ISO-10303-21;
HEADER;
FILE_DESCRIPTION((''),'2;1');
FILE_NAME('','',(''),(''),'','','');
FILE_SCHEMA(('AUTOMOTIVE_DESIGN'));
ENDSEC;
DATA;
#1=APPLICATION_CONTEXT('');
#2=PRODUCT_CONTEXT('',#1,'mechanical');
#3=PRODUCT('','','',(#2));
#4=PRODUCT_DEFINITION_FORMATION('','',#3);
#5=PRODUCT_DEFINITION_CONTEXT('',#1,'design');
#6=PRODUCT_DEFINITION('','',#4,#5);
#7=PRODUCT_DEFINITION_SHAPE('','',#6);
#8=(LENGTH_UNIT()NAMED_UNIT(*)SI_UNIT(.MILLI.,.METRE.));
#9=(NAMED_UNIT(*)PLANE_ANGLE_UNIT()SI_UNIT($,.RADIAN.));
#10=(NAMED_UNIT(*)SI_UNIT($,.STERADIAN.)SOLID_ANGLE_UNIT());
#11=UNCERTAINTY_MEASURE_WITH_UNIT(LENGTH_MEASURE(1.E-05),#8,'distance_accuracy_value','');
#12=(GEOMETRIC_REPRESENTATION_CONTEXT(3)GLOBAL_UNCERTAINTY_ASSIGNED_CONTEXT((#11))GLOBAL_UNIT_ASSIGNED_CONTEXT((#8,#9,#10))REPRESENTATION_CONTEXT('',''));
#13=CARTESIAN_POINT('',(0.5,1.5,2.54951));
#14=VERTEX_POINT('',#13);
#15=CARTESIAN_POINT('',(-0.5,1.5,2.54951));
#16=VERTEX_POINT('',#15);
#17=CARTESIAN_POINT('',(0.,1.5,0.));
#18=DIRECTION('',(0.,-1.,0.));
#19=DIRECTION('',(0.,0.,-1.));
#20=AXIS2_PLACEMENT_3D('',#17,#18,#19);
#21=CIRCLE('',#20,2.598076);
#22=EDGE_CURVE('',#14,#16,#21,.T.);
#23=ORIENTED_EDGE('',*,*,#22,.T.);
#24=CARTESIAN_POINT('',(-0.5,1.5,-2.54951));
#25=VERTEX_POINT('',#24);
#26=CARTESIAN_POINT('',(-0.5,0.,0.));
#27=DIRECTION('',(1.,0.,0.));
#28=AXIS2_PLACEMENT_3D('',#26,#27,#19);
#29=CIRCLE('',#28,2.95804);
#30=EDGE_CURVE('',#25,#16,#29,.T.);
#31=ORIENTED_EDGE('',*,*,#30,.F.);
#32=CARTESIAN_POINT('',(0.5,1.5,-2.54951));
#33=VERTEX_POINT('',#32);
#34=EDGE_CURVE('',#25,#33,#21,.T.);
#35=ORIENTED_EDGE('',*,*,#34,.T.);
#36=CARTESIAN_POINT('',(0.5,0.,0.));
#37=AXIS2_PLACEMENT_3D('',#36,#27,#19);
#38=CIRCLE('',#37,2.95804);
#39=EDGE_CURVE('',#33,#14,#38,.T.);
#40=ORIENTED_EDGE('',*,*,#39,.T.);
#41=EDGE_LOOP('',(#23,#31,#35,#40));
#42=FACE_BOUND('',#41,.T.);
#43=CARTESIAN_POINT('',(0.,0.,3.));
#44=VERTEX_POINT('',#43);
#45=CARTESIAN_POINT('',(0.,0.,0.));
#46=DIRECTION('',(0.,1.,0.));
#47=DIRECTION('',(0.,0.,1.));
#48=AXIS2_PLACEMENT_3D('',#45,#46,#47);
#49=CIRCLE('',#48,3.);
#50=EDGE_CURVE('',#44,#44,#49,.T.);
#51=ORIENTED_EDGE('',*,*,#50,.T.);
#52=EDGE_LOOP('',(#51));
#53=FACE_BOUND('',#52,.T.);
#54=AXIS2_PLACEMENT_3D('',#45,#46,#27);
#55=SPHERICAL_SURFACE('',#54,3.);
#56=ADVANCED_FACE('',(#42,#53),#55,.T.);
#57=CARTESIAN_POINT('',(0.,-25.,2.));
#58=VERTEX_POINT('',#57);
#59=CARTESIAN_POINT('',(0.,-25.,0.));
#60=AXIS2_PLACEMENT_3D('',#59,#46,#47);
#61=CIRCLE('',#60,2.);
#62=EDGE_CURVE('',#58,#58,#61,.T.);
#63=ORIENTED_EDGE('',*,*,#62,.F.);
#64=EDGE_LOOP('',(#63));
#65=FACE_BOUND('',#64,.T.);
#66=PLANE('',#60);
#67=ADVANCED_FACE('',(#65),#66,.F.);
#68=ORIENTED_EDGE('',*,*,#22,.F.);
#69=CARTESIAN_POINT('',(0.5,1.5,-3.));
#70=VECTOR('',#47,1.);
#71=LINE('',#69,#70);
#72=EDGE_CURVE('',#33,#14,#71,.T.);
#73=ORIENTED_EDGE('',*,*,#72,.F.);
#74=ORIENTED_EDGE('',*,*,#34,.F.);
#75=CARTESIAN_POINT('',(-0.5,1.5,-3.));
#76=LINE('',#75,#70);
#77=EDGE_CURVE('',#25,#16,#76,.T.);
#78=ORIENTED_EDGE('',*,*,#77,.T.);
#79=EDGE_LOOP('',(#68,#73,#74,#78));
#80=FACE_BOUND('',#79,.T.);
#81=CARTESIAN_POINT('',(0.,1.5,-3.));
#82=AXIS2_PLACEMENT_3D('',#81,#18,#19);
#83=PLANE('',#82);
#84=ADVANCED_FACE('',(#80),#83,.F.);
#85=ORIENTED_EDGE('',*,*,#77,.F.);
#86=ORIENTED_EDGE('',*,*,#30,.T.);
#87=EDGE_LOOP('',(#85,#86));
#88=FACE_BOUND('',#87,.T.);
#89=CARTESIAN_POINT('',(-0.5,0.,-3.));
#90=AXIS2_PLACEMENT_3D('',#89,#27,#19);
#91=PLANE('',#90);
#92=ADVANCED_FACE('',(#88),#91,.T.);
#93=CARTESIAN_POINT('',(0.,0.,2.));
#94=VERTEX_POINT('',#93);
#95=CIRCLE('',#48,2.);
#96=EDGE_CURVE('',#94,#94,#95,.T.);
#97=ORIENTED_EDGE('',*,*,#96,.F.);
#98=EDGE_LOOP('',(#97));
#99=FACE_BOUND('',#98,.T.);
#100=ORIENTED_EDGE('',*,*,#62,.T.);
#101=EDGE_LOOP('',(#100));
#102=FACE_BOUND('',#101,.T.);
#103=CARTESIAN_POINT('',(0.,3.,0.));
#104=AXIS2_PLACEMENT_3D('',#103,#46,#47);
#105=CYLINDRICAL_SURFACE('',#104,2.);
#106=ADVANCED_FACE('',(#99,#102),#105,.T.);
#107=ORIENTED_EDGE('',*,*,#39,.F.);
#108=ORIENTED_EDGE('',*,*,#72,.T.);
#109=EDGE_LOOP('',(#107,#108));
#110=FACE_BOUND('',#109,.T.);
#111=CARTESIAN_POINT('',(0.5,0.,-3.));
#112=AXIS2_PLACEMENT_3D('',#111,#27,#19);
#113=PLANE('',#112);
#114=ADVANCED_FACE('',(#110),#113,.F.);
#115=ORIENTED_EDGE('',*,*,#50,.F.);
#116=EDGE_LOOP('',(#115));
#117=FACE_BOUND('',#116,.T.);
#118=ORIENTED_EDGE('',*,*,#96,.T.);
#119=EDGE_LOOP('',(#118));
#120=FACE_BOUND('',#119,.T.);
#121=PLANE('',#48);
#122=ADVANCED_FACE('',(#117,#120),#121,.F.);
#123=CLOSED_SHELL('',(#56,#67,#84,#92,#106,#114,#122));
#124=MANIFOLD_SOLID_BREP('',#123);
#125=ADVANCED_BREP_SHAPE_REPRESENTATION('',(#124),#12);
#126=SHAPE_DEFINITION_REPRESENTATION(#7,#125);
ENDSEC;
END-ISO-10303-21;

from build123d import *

# Parameters (mm, degrees)
SKETCH1_W               = 2
SKETCH1_H               = 25
SKETCH2_W               = 0.5
SKETCH2_H               = 1.642734333
CUT_EXTRUDE1_DEPTH      = 4
CUT_EXTRUDE1_DEPTH_BACK = 4


with BuildPart() as part:
    # Sketch1 → Revolve1 (revolve)
    with BuildSketch(Plane.XY):
        with Locations((1, -12.5)):
            Rectangle(SKETCH1_W, SKETCH1_H)
        with BuildLine():
            Line((0, 0), (3, 0))
            ThreePointArc((3, 0), (2.121320344, 2.121320344), (0, 3))
            Line((0, 3), (0, 0))
        make_face()
    revolve(axis=Axis((0, 3, 0), (0, -1, 0)))

    # Sketch2 → Cut-Extrude1 (cut, two sides)
    with BuildSketch(Plane.XY) as cut_extrude1_sk:
        with Locations((-0.25, 2.321367166)):
            Rectangle(SKETCH2_W, SKETCH2_H)
        with Locations((0.25, 2.321367166)):
            Rectangle(SKETCH2_W, SKETCH2_H)
    extrude(amount=CUT_EXTRUDE1_DEPTH, mode=Mode.SUBTRACT)
    extrude(cut_extrude1_sk.sketch, amount=-CUT_EXTRUDE1_DEPTH_BACK, mode=Mode.SUBTRACT)


solid = part.part
